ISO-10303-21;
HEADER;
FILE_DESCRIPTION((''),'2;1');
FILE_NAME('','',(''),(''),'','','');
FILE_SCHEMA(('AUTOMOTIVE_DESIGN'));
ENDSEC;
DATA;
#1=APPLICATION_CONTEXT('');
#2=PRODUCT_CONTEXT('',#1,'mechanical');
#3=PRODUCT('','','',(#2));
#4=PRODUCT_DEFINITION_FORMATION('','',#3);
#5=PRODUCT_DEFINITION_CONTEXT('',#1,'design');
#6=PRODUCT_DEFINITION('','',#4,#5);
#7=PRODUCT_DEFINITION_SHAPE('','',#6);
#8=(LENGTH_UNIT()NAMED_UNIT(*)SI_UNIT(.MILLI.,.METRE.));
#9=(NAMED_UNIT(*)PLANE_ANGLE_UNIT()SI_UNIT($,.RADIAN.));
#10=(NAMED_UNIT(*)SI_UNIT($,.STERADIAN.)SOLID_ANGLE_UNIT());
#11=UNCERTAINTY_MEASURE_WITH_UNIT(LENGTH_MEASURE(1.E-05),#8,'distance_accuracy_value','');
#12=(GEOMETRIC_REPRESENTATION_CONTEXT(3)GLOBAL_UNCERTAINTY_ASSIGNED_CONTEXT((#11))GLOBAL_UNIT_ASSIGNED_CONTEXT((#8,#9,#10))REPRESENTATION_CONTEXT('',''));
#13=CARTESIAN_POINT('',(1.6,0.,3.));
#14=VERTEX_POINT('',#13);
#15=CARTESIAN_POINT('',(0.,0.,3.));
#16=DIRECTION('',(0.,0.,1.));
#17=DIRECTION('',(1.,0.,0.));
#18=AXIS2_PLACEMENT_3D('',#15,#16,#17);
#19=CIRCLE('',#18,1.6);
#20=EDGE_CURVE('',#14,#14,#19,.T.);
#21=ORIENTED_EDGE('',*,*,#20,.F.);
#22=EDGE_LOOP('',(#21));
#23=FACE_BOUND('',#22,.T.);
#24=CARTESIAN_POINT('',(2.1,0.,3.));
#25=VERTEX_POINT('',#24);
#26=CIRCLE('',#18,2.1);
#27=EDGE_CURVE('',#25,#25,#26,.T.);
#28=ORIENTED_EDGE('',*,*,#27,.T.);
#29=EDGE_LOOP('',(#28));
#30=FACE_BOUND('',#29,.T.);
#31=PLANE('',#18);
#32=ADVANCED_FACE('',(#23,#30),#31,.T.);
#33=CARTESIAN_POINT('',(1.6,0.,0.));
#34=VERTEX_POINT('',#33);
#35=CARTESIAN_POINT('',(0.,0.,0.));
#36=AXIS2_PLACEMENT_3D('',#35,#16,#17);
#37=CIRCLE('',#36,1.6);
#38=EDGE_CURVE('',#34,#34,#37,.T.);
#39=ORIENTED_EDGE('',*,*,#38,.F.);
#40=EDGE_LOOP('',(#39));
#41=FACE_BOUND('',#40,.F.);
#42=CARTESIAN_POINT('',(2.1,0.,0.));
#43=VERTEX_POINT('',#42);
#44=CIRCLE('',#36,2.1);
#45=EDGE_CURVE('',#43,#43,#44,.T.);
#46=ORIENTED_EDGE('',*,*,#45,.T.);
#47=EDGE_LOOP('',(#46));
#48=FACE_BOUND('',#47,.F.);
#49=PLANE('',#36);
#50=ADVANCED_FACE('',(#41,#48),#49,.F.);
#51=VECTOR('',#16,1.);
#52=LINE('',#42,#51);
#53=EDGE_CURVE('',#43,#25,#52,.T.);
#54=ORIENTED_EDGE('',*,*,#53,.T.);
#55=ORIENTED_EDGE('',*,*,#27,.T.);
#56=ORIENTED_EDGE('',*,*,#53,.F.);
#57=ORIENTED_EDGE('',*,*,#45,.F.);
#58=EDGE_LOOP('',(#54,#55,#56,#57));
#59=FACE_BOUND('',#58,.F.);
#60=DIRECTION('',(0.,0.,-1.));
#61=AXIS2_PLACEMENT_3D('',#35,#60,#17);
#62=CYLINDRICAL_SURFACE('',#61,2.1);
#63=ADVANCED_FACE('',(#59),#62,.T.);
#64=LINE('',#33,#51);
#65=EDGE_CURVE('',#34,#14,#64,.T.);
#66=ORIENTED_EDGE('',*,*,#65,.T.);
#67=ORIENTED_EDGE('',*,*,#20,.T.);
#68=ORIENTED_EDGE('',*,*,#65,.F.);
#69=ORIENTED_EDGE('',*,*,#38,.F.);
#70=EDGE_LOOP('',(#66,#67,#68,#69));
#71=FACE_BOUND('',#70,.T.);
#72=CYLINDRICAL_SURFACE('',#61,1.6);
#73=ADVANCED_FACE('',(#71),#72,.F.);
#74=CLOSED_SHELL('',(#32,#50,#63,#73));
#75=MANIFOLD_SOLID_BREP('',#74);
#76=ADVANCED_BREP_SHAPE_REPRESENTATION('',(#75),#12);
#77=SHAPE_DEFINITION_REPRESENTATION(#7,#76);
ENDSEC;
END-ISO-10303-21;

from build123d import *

# Parameters (mm, degrees)
SKETCH_R   = 2.1
SKETCH_R_2 = 1.6
PAD_DEPTH  = 3


with BuildPart() as part:
    # Sketch → Pad (new body)
    with BuildSketch(Plane.XY):
        Circle(SKETCH_R)
        Circle(SKETCH_R_2, mode=Mode.SUBTRACT)
    extrude(amount=PAD_DEPTH)


solid = part.part
